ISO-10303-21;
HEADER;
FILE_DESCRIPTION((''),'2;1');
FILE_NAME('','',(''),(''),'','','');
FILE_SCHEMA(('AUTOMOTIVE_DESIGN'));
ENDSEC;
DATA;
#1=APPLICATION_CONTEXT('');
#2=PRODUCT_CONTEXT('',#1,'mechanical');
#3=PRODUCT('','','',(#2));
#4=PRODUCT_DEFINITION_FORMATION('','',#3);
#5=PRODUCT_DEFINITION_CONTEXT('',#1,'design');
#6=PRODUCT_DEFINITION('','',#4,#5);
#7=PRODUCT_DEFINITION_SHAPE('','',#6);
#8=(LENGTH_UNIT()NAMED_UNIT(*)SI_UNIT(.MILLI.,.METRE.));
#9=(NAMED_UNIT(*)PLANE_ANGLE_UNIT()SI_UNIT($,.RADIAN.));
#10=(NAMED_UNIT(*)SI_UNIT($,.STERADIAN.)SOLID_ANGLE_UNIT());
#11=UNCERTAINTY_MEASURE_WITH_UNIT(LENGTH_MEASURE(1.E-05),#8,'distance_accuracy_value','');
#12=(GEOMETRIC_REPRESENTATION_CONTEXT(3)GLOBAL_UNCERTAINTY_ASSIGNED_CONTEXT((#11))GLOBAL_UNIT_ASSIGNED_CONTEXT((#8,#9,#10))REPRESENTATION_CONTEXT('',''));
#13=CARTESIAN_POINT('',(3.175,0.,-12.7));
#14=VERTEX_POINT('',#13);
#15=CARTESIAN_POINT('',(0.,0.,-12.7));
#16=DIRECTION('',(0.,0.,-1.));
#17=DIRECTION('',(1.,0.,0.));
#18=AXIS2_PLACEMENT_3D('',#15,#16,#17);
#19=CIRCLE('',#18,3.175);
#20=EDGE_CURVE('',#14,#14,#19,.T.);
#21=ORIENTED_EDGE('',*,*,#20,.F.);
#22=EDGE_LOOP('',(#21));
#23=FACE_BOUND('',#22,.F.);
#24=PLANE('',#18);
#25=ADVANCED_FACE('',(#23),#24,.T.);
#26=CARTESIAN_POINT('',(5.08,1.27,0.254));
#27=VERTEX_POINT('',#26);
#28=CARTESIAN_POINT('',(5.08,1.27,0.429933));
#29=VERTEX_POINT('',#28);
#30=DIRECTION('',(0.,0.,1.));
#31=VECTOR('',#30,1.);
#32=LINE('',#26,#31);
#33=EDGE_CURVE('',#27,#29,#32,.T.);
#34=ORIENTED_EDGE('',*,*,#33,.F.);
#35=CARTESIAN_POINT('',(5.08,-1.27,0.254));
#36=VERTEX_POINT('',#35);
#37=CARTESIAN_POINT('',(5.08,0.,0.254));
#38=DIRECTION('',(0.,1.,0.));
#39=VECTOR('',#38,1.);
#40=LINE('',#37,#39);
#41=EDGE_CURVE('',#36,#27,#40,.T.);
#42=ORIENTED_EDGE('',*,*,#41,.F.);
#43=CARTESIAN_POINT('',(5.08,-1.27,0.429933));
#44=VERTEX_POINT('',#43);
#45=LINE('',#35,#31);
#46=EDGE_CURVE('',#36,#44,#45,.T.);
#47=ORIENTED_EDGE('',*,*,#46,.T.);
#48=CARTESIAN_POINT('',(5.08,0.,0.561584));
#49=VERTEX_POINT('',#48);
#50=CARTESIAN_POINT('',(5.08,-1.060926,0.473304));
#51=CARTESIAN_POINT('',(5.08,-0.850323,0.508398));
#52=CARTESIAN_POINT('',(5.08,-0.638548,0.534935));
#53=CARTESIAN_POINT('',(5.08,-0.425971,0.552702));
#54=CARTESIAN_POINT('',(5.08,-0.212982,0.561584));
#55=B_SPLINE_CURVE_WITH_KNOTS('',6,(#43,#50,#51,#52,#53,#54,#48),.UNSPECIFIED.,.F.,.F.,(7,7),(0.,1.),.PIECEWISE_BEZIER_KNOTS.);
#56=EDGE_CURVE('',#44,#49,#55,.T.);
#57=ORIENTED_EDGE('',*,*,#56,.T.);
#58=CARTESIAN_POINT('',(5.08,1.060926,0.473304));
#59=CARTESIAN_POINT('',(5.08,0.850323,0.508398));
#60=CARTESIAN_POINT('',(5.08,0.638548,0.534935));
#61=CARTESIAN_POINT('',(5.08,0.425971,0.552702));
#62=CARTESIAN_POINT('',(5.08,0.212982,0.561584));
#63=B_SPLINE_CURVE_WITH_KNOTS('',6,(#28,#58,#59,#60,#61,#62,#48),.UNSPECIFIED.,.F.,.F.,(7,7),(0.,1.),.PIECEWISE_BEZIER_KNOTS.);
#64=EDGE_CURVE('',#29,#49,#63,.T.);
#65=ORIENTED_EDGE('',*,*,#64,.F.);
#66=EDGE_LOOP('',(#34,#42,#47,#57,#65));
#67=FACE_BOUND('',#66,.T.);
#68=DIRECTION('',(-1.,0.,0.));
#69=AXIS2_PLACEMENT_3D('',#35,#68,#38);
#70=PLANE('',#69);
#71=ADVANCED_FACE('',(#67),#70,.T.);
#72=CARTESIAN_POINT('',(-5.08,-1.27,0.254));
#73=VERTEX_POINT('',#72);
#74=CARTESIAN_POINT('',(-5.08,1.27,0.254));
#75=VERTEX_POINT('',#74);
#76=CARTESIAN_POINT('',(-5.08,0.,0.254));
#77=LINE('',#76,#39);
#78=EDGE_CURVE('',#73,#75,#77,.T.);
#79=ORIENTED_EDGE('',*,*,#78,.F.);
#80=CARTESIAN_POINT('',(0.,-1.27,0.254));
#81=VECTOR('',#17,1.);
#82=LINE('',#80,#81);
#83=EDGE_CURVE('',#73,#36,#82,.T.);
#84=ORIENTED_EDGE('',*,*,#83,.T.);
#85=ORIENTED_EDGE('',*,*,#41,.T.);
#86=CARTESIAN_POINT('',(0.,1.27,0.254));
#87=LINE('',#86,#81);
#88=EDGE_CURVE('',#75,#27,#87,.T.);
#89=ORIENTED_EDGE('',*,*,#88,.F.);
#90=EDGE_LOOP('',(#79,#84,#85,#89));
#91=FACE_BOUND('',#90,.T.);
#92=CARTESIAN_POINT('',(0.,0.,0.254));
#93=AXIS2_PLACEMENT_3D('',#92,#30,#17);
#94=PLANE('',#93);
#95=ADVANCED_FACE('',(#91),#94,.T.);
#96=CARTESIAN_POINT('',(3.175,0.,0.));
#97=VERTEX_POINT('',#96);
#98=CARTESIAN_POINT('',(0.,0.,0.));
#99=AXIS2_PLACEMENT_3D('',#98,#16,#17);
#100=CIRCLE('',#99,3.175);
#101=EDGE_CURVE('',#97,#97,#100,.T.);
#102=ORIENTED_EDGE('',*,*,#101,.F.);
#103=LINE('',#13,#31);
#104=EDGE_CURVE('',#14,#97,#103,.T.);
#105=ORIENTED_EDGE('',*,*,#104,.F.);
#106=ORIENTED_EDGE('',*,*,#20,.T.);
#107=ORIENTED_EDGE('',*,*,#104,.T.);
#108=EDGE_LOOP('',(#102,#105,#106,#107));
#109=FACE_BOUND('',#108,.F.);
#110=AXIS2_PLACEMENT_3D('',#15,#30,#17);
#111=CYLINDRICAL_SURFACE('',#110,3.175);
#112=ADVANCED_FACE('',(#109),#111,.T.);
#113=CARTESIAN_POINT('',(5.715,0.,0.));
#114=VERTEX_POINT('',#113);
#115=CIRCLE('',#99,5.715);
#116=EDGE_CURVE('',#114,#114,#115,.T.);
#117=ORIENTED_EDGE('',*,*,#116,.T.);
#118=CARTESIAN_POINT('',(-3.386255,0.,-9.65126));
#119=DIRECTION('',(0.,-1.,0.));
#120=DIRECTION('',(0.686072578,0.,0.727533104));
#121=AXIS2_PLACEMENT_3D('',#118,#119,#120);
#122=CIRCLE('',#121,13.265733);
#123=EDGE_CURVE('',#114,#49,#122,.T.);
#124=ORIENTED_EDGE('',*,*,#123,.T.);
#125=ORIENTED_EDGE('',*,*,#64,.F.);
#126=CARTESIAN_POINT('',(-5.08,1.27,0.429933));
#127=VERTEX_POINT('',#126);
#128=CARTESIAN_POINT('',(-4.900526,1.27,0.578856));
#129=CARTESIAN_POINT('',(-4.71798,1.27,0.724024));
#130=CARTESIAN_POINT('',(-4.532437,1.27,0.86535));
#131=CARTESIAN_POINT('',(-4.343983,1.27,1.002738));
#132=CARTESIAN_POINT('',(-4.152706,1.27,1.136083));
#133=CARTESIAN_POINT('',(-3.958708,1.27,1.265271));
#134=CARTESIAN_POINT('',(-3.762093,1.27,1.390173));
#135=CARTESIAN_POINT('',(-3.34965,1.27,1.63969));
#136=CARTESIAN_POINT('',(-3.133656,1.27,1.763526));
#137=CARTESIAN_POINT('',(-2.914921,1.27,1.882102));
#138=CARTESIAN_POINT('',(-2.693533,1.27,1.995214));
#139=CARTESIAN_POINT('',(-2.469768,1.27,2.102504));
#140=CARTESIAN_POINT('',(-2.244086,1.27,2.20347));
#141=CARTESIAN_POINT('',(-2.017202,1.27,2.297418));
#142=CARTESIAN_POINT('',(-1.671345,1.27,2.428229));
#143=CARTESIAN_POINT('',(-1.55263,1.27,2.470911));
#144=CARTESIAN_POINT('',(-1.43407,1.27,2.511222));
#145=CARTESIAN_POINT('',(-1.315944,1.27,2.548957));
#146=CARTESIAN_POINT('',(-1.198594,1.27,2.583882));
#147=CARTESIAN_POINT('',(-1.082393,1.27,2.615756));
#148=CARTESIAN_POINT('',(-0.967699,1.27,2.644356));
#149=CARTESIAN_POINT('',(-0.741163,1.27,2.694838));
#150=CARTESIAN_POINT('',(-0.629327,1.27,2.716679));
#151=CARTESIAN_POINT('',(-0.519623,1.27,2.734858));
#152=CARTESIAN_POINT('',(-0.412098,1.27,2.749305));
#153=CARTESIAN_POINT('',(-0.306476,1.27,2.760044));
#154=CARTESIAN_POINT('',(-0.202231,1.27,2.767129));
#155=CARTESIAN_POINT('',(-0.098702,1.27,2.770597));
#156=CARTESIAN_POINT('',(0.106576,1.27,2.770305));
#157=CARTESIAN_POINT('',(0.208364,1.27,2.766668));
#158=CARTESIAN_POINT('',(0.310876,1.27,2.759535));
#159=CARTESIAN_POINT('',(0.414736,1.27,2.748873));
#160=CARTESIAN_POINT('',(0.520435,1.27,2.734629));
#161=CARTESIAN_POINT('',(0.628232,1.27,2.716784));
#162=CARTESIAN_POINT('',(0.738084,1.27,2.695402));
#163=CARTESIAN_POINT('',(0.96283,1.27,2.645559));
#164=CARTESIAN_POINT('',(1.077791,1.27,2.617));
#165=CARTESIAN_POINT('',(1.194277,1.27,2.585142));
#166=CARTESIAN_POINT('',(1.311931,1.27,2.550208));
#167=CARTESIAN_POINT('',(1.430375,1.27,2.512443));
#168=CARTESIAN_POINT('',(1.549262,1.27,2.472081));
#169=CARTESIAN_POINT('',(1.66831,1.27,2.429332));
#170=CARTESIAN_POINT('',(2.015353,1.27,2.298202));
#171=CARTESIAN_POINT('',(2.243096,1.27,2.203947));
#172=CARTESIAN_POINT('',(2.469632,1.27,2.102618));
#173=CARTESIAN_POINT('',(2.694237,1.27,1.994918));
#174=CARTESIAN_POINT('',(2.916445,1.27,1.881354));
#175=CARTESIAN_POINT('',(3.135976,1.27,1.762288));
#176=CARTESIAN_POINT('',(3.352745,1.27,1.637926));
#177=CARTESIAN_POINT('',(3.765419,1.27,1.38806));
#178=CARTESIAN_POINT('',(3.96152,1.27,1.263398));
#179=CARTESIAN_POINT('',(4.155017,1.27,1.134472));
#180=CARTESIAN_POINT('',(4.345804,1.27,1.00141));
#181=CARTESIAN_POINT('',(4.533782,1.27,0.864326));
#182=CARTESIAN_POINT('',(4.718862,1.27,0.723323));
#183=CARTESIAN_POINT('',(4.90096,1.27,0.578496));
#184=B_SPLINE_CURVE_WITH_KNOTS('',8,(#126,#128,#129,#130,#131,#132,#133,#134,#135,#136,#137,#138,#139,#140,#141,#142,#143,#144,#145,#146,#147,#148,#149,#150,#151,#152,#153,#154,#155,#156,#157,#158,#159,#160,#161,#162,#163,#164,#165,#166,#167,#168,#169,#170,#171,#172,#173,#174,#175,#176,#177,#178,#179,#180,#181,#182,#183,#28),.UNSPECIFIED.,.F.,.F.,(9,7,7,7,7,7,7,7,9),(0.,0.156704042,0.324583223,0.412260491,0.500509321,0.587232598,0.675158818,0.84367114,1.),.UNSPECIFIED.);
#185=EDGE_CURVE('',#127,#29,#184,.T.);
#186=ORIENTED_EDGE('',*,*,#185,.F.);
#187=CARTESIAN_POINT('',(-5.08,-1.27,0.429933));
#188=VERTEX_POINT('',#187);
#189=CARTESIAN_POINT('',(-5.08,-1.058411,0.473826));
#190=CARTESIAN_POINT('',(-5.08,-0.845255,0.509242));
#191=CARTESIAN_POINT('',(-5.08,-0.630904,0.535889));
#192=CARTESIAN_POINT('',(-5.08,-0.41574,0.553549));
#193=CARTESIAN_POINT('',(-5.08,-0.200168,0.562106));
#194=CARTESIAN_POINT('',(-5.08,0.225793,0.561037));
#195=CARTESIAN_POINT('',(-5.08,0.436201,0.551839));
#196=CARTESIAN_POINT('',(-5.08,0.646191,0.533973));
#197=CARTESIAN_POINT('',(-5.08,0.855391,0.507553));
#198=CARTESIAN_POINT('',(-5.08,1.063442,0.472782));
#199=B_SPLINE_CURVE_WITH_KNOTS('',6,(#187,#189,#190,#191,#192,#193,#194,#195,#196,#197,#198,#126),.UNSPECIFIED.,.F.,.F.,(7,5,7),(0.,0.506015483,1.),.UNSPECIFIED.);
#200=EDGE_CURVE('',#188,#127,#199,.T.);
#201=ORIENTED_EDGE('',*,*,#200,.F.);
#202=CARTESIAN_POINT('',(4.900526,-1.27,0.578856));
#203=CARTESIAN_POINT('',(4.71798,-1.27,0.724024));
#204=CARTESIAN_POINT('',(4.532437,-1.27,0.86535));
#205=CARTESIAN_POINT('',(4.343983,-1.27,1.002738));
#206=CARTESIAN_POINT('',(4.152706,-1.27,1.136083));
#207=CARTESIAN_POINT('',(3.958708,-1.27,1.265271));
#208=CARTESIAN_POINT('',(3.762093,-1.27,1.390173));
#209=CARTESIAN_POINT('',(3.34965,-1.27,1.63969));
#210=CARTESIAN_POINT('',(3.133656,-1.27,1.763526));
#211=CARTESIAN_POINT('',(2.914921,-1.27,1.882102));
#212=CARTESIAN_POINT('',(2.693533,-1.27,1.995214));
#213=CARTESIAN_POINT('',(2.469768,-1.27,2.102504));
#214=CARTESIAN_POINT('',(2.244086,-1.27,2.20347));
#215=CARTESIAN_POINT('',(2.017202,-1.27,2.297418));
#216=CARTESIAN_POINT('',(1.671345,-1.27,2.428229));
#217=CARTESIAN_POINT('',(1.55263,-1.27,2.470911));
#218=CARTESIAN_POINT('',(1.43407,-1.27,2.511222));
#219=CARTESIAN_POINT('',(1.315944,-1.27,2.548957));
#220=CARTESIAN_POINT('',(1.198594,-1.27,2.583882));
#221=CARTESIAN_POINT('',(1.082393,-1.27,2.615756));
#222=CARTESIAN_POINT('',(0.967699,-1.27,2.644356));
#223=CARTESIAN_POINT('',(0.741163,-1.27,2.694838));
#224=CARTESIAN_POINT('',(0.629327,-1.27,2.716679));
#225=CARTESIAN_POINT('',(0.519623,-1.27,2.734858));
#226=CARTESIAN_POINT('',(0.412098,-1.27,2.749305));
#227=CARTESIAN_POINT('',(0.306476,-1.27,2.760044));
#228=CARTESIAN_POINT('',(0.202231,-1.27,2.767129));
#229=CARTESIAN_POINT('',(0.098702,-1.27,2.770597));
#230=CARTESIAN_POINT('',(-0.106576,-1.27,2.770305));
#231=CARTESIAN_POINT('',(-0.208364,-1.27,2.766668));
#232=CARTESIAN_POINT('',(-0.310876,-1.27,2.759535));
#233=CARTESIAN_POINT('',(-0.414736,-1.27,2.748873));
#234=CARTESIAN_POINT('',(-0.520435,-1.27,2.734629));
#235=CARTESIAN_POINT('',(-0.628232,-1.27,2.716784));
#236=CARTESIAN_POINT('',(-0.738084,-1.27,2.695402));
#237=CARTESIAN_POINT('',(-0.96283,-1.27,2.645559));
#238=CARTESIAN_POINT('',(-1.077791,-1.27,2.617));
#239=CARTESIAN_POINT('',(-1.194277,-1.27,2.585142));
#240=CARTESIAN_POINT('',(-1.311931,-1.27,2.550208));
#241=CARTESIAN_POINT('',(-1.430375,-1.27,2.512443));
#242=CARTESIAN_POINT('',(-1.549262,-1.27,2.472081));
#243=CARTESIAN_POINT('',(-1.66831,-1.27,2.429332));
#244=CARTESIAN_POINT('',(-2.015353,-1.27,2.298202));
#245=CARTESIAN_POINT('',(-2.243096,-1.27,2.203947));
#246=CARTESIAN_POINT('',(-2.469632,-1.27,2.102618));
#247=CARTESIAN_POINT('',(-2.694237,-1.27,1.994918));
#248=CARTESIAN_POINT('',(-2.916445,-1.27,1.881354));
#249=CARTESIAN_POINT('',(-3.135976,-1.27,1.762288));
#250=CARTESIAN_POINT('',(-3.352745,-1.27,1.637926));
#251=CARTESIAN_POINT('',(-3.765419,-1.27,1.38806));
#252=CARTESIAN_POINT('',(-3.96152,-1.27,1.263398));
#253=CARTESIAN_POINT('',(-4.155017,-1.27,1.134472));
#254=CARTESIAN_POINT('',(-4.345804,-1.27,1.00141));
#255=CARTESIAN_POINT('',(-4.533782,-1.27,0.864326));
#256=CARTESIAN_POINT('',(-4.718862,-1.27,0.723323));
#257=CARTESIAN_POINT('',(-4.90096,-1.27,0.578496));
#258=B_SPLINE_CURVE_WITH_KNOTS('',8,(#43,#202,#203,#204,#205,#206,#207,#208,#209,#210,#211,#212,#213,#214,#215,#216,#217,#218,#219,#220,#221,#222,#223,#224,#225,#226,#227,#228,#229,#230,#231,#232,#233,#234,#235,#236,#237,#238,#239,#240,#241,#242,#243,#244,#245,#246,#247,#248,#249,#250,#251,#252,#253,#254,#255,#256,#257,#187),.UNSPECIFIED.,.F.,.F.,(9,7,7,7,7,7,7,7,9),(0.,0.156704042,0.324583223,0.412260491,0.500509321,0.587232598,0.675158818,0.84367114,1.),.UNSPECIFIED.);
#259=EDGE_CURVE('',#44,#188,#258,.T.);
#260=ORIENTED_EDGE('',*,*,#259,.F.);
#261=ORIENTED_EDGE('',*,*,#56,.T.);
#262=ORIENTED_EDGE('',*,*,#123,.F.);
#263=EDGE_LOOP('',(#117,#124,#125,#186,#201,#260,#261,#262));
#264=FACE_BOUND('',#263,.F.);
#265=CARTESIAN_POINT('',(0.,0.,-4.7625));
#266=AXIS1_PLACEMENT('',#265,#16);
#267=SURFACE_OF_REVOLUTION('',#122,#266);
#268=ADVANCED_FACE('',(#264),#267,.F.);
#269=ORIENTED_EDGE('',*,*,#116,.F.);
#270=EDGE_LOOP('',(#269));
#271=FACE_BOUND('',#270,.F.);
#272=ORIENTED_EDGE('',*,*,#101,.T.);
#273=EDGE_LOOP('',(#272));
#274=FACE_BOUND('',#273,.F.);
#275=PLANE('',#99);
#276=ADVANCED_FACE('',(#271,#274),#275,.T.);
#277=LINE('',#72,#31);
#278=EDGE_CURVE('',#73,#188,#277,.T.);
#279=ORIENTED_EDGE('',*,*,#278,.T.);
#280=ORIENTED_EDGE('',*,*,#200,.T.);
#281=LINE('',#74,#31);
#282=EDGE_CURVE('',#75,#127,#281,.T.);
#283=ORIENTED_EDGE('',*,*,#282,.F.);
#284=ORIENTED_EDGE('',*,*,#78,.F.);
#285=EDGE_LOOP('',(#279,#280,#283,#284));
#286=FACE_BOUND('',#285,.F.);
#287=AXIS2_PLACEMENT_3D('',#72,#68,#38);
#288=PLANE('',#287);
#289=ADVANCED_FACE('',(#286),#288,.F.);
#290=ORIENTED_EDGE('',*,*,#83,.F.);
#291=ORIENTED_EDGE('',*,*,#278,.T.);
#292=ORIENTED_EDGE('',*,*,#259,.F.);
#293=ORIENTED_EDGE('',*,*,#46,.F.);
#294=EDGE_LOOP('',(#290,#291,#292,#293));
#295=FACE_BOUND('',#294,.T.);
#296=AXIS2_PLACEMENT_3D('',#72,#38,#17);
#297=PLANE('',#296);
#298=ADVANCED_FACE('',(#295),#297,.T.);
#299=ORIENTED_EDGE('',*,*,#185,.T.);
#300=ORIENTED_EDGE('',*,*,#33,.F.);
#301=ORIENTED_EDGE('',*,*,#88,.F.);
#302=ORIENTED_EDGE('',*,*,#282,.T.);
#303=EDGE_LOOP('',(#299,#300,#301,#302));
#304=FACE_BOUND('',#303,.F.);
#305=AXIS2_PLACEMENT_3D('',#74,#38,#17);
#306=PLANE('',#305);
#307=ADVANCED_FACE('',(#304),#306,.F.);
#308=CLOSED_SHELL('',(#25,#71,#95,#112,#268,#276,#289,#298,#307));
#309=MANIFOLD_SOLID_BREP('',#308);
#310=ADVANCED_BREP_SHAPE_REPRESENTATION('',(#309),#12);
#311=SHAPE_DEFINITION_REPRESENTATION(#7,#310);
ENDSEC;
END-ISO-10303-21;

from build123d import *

# Parameters (mm, degrees)
F3_W     = 10.16
F3_H     = 2.54
F4_DEPTH = 2.922


with BuildPart() as f1:
    # F0 (on Front) → F1 (revolve)
    with BuildSketch(Plane.XZ):
        with BuildLine():
            Line((3.175, -12.7), (3.175, 0))
            Line((3.175, 0), (5.715, 0))
            ThreePointArc((5.715, 0), (3.056154, 1.945077), (0, 3.175))
            Line((0, 3.175), (0, -12.7))
            Line((0, -12.7), (3.175, -12.7))
        make_face()
    revolve(axis=Axis((0, 0, -4.7625), (0, 0, -1)))

    # F3 (on offset) → F4 (cut, through all)
    with BuildSketch(Plane.XY.offset(0.254)):
        Rectangle(F3_W, F3_H)
    extrude(amount=F4_DEPTH, mode=Mode.SUBTRACT)


solid = f1.part
